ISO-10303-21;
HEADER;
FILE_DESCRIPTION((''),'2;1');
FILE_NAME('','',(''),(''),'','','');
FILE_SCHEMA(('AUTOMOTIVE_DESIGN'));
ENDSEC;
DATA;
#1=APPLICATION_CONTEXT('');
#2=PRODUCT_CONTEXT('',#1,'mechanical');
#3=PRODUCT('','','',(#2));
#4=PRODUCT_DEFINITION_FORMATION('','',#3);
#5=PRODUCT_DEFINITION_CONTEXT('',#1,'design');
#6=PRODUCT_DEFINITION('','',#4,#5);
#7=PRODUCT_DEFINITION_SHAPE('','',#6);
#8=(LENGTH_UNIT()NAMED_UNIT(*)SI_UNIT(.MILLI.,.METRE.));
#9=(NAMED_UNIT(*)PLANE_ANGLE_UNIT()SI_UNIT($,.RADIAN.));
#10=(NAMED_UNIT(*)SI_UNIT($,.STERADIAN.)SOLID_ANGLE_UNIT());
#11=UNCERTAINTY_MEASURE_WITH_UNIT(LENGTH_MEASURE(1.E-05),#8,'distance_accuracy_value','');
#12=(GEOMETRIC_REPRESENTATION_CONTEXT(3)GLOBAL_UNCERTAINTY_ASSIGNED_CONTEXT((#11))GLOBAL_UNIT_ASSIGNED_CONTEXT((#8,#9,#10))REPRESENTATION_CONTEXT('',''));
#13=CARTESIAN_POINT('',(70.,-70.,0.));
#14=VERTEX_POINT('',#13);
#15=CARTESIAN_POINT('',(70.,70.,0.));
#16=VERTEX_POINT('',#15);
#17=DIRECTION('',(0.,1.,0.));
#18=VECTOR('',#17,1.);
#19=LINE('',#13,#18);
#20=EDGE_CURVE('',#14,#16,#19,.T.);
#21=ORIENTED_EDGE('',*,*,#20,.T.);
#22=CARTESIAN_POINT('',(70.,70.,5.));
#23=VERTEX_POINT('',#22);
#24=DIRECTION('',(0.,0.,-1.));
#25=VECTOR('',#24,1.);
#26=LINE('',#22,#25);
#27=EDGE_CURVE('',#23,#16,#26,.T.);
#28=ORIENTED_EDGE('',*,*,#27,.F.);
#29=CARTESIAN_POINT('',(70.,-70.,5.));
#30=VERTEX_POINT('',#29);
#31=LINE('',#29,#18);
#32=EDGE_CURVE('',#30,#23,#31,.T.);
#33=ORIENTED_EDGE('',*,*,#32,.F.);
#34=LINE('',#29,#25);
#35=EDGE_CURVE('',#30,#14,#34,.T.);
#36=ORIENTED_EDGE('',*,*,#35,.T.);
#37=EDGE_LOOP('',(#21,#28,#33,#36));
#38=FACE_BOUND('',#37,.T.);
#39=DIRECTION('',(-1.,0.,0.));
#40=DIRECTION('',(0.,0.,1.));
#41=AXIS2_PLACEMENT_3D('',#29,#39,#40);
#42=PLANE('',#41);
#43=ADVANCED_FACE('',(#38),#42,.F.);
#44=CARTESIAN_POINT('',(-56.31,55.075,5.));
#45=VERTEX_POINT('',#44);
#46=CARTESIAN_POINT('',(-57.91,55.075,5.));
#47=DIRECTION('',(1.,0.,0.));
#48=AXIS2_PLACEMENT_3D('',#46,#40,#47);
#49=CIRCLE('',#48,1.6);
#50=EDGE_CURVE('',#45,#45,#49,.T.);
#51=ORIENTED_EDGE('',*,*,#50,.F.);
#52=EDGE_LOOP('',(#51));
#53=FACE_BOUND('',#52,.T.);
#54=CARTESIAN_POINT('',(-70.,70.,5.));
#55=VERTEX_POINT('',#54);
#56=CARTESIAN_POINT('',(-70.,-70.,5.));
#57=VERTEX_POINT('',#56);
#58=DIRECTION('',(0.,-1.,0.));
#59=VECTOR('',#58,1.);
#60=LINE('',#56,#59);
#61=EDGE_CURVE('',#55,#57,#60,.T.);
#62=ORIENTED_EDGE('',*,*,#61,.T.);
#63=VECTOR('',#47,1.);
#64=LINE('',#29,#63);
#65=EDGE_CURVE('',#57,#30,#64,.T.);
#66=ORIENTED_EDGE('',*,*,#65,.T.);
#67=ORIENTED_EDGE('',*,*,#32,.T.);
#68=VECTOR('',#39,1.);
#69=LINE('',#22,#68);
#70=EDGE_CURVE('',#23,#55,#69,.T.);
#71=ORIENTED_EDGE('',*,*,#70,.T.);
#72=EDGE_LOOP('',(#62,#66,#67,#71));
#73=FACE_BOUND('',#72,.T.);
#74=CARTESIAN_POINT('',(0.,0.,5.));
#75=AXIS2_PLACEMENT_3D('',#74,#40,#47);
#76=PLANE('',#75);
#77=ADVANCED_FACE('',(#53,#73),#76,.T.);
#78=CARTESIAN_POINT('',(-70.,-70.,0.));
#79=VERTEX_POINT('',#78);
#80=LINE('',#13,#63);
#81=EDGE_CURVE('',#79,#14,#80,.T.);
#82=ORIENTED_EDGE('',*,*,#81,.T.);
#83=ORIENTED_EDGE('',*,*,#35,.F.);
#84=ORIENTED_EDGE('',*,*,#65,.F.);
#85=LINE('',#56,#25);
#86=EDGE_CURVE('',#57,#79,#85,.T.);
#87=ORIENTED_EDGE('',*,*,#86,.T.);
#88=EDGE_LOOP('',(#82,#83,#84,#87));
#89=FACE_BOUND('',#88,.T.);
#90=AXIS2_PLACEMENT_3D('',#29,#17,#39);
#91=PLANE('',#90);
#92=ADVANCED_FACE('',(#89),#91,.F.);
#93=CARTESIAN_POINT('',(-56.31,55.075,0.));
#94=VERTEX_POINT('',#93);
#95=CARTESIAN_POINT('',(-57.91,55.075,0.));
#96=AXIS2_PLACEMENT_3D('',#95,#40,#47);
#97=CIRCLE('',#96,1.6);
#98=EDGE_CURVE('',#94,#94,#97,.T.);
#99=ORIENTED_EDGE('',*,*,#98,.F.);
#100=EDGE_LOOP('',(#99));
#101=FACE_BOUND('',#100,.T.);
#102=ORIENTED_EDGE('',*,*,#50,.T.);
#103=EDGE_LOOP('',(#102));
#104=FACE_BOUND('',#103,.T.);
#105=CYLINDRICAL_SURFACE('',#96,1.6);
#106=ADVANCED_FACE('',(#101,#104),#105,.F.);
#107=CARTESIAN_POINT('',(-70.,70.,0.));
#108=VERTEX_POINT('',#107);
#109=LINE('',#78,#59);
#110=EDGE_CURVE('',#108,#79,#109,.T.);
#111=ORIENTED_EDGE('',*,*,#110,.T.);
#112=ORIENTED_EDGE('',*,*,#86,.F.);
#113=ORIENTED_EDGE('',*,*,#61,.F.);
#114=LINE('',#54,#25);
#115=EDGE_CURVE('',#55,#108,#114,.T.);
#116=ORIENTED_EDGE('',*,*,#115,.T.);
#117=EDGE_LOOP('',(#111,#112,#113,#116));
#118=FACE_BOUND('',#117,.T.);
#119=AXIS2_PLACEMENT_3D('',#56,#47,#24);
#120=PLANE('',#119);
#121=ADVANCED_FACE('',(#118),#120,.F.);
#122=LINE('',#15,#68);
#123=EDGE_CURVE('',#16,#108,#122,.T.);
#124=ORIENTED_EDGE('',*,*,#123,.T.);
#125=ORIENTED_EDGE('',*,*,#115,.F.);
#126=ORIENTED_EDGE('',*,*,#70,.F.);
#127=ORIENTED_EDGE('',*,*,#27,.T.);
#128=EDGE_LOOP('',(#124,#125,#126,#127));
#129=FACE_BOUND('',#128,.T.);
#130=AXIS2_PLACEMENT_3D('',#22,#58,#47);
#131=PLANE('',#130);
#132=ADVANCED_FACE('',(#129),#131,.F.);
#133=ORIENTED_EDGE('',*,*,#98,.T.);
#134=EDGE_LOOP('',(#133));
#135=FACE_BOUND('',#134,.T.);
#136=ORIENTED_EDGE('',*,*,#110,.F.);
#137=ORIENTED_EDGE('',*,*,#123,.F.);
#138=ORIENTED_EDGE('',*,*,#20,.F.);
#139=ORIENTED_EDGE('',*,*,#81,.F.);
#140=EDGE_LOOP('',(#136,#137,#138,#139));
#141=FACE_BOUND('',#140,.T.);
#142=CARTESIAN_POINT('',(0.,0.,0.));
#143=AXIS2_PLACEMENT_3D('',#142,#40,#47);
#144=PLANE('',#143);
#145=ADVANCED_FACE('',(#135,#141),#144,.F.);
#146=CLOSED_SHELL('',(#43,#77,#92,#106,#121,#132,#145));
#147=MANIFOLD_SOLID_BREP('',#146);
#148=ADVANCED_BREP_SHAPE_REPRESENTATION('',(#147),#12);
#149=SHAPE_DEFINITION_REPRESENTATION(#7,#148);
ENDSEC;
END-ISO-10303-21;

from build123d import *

# Parameters (mm, degrees)
SKETCH_1_W          = 140
SKETCH_1_H          = 140
EXTRUDE_1_DEPTH     = 5
SKETCH_2_R          = 1.6
CUT_EXTRUDE_1_DEPTH = 100.121138008


with BuildPart() as part:
    # 草图1 → 凸台-拉伸1 (new body)
    with BuildSketch(Plane.XY):
        Rectangle(SKETCH_1_W, SKETCH_1_H)
    extrude(amount=EXTRUDE_1_DEPTH)

    # 草图2 → 切除-拉伸1 (cut, through all)
    with BuildSketch(Plane.XY.offset(5)):
        with Locations((-57.91, 55.075)):
            Circle(SKETCH_2_R)
    extrude(amount=-CUT_EXTRUDE_1_DEPTH, mode=Mode.SUBTRACT)


solid = part.part
